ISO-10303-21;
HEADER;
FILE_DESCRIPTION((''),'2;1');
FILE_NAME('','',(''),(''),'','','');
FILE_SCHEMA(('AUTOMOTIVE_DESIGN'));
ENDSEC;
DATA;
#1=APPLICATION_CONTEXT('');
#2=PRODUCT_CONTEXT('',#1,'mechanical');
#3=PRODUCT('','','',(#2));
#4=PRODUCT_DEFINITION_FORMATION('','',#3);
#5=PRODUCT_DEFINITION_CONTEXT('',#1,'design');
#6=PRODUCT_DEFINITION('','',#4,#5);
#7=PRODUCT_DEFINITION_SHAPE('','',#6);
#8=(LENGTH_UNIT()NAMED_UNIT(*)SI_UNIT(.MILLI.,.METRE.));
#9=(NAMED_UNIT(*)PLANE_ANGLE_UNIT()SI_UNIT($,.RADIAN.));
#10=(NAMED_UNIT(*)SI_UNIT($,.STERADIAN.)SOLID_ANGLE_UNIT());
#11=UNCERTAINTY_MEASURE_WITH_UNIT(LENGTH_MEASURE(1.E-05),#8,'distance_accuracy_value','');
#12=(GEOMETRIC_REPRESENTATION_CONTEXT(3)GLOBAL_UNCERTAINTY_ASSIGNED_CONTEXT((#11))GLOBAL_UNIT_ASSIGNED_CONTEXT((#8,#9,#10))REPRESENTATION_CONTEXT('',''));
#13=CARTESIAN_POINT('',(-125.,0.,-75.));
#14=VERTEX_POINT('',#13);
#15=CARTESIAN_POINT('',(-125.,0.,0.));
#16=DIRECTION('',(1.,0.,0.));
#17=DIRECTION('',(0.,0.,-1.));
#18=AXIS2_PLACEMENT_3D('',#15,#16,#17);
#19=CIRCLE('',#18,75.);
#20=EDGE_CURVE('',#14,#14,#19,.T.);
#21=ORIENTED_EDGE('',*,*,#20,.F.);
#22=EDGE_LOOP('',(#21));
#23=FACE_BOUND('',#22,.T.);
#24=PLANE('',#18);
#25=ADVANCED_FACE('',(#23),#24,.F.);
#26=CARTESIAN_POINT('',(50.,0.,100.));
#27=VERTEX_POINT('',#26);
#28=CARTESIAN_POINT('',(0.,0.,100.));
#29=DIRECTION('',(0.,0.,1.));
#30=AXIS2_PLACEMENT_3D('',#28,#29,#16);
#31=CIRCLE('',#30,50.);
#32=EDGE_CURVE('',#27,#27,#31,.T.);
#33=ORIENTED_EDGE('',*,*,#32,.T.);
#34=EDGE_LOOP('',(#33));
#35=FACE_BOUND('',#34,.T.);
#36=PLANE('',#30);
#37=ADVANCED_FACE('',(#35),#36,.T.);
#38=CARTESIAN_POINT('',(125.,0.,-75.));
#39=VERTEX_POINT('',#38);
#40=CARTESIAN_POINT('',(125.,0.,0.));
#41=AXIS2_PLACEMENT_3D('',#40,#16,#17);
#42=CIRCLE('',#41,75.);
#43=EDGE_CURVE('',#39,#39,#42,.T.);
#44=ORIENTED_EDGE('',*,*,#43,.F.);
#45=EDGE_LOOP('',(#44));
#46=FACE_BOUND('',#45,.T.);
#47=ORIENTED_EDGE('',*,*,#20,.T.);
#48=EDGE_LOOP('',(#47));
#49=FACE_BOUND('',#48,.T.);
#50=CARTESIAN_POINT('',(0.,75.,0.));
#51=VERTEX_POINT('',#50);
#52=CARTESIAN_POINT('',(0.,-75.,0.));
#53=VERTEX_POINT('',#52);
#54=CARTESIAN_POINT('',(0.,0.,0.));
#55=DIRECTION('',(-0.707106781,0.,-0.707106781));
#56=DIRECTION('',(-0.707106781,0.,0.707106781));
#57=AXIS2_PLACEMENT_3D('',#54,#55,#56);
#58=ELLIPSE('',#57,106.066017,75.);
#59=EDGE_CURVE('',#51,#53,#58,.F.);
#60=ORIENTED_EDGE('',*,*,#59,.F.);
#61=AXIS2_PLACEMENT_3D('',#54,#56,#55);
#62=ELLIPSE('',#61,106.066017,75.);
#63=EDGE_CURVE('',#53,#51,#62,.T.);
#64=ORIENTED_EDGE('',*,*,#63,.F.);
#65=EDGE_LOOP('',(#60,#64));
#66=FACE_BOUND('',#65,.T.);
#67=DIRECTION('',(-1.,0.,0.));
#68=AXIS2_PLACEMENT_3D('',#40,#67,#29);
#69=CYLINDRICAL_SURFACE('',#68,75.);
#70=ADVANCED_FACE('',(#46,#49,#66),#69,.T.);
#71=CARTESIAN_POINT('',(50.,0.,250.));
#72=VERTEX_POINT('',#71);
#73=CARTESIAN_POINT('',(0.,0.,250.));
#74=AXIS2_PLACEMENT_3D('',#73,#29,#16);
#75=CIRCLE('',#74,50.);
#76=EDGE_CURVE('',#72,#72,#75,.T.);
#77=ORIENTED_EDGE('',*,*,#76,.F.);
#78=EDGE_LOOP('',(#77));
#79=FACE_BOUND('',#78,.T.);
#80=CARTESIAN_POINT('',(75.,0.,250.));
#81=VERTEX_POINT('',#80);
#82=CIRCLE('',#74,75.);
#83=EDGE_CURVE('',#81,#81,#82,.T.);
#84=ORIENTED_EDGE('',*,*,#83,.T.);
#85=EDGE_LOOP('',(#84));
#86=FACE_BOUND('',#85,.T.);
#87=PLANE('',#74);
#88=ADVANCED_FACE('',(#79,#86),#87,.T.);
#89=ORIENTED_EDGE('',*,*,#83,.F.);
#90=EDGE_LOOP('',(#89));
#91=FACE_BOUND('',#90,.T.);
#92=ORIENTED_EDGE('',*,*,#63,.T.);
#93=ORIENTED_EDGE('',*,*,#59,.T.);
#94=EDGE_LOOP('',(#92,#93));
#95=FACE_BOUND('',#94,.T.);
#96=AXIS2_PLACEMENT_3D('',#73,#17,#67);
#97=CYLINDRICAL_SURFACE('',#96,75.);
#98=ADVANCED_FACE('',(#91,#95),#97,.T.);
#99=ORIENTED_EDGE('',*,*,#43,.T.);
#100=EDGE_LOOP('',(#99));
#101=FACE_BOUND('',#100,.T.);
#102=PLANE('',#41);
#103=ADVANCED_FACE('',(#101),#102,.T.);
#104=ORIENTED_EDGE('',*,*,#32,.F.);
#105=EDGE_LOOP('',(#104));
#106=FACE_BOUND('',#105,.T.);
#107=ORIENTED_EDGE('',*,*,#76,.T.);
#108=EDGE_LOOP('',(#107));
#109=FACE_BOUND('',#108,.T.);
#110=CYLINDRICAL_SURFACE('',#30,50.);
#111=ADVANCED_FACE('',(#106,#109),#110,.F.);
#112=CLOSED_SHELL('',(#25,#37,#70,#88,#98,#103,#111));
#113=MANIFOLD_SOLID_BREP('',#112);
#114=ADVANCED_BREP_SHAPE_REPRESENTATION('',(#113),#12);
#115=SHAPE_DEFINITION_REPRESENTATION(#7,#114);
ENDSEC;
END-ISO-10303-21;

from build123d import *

# Parameters (mm, degrees)
SKETCH1_R           = 75
BOSS_EXTRUDE1_DEPTH = 125
SKETCH2_R           = 75
BOSS_EXTRUDE2_DEPTH = 250
SKETCH3_R           = 50
CUT_EXTRUDE1_DEPTH  = 150


with BuildPart() as part:
    # Sketch1 → Boss-Extrude1 (new, symmetric)
    with BuildSketch(Plane(origin=(0, 0, 0), x_dir=(0, 0, -1), z_dir=(1, 0, 0))):
        Circle(SKETCH1_R)
    extrude(amount=BOSS_EXTRUDE1_DEPTH, both=True)

    # Sketch2 → Boss-Extrude2 (add)
    with BuildSketch(Plane.XY):
        with Locations(Location((0, 0, 0), (0, 0, 90))):
            Circle(SKETCH2_R)
    extrude(amount=BOSS_EXTRUDE2_DEPTH)

    # Sketch3 → Cut-Extrude1 (cut)
    with BuildSketch(Plane.XY.offset(250)):
        Circle(SKETCH3_R)
    extrude(amount=-CUT_EXTRUDE1_DEPTH, mode=Mode.SUBTRACT)


solid = part.part
